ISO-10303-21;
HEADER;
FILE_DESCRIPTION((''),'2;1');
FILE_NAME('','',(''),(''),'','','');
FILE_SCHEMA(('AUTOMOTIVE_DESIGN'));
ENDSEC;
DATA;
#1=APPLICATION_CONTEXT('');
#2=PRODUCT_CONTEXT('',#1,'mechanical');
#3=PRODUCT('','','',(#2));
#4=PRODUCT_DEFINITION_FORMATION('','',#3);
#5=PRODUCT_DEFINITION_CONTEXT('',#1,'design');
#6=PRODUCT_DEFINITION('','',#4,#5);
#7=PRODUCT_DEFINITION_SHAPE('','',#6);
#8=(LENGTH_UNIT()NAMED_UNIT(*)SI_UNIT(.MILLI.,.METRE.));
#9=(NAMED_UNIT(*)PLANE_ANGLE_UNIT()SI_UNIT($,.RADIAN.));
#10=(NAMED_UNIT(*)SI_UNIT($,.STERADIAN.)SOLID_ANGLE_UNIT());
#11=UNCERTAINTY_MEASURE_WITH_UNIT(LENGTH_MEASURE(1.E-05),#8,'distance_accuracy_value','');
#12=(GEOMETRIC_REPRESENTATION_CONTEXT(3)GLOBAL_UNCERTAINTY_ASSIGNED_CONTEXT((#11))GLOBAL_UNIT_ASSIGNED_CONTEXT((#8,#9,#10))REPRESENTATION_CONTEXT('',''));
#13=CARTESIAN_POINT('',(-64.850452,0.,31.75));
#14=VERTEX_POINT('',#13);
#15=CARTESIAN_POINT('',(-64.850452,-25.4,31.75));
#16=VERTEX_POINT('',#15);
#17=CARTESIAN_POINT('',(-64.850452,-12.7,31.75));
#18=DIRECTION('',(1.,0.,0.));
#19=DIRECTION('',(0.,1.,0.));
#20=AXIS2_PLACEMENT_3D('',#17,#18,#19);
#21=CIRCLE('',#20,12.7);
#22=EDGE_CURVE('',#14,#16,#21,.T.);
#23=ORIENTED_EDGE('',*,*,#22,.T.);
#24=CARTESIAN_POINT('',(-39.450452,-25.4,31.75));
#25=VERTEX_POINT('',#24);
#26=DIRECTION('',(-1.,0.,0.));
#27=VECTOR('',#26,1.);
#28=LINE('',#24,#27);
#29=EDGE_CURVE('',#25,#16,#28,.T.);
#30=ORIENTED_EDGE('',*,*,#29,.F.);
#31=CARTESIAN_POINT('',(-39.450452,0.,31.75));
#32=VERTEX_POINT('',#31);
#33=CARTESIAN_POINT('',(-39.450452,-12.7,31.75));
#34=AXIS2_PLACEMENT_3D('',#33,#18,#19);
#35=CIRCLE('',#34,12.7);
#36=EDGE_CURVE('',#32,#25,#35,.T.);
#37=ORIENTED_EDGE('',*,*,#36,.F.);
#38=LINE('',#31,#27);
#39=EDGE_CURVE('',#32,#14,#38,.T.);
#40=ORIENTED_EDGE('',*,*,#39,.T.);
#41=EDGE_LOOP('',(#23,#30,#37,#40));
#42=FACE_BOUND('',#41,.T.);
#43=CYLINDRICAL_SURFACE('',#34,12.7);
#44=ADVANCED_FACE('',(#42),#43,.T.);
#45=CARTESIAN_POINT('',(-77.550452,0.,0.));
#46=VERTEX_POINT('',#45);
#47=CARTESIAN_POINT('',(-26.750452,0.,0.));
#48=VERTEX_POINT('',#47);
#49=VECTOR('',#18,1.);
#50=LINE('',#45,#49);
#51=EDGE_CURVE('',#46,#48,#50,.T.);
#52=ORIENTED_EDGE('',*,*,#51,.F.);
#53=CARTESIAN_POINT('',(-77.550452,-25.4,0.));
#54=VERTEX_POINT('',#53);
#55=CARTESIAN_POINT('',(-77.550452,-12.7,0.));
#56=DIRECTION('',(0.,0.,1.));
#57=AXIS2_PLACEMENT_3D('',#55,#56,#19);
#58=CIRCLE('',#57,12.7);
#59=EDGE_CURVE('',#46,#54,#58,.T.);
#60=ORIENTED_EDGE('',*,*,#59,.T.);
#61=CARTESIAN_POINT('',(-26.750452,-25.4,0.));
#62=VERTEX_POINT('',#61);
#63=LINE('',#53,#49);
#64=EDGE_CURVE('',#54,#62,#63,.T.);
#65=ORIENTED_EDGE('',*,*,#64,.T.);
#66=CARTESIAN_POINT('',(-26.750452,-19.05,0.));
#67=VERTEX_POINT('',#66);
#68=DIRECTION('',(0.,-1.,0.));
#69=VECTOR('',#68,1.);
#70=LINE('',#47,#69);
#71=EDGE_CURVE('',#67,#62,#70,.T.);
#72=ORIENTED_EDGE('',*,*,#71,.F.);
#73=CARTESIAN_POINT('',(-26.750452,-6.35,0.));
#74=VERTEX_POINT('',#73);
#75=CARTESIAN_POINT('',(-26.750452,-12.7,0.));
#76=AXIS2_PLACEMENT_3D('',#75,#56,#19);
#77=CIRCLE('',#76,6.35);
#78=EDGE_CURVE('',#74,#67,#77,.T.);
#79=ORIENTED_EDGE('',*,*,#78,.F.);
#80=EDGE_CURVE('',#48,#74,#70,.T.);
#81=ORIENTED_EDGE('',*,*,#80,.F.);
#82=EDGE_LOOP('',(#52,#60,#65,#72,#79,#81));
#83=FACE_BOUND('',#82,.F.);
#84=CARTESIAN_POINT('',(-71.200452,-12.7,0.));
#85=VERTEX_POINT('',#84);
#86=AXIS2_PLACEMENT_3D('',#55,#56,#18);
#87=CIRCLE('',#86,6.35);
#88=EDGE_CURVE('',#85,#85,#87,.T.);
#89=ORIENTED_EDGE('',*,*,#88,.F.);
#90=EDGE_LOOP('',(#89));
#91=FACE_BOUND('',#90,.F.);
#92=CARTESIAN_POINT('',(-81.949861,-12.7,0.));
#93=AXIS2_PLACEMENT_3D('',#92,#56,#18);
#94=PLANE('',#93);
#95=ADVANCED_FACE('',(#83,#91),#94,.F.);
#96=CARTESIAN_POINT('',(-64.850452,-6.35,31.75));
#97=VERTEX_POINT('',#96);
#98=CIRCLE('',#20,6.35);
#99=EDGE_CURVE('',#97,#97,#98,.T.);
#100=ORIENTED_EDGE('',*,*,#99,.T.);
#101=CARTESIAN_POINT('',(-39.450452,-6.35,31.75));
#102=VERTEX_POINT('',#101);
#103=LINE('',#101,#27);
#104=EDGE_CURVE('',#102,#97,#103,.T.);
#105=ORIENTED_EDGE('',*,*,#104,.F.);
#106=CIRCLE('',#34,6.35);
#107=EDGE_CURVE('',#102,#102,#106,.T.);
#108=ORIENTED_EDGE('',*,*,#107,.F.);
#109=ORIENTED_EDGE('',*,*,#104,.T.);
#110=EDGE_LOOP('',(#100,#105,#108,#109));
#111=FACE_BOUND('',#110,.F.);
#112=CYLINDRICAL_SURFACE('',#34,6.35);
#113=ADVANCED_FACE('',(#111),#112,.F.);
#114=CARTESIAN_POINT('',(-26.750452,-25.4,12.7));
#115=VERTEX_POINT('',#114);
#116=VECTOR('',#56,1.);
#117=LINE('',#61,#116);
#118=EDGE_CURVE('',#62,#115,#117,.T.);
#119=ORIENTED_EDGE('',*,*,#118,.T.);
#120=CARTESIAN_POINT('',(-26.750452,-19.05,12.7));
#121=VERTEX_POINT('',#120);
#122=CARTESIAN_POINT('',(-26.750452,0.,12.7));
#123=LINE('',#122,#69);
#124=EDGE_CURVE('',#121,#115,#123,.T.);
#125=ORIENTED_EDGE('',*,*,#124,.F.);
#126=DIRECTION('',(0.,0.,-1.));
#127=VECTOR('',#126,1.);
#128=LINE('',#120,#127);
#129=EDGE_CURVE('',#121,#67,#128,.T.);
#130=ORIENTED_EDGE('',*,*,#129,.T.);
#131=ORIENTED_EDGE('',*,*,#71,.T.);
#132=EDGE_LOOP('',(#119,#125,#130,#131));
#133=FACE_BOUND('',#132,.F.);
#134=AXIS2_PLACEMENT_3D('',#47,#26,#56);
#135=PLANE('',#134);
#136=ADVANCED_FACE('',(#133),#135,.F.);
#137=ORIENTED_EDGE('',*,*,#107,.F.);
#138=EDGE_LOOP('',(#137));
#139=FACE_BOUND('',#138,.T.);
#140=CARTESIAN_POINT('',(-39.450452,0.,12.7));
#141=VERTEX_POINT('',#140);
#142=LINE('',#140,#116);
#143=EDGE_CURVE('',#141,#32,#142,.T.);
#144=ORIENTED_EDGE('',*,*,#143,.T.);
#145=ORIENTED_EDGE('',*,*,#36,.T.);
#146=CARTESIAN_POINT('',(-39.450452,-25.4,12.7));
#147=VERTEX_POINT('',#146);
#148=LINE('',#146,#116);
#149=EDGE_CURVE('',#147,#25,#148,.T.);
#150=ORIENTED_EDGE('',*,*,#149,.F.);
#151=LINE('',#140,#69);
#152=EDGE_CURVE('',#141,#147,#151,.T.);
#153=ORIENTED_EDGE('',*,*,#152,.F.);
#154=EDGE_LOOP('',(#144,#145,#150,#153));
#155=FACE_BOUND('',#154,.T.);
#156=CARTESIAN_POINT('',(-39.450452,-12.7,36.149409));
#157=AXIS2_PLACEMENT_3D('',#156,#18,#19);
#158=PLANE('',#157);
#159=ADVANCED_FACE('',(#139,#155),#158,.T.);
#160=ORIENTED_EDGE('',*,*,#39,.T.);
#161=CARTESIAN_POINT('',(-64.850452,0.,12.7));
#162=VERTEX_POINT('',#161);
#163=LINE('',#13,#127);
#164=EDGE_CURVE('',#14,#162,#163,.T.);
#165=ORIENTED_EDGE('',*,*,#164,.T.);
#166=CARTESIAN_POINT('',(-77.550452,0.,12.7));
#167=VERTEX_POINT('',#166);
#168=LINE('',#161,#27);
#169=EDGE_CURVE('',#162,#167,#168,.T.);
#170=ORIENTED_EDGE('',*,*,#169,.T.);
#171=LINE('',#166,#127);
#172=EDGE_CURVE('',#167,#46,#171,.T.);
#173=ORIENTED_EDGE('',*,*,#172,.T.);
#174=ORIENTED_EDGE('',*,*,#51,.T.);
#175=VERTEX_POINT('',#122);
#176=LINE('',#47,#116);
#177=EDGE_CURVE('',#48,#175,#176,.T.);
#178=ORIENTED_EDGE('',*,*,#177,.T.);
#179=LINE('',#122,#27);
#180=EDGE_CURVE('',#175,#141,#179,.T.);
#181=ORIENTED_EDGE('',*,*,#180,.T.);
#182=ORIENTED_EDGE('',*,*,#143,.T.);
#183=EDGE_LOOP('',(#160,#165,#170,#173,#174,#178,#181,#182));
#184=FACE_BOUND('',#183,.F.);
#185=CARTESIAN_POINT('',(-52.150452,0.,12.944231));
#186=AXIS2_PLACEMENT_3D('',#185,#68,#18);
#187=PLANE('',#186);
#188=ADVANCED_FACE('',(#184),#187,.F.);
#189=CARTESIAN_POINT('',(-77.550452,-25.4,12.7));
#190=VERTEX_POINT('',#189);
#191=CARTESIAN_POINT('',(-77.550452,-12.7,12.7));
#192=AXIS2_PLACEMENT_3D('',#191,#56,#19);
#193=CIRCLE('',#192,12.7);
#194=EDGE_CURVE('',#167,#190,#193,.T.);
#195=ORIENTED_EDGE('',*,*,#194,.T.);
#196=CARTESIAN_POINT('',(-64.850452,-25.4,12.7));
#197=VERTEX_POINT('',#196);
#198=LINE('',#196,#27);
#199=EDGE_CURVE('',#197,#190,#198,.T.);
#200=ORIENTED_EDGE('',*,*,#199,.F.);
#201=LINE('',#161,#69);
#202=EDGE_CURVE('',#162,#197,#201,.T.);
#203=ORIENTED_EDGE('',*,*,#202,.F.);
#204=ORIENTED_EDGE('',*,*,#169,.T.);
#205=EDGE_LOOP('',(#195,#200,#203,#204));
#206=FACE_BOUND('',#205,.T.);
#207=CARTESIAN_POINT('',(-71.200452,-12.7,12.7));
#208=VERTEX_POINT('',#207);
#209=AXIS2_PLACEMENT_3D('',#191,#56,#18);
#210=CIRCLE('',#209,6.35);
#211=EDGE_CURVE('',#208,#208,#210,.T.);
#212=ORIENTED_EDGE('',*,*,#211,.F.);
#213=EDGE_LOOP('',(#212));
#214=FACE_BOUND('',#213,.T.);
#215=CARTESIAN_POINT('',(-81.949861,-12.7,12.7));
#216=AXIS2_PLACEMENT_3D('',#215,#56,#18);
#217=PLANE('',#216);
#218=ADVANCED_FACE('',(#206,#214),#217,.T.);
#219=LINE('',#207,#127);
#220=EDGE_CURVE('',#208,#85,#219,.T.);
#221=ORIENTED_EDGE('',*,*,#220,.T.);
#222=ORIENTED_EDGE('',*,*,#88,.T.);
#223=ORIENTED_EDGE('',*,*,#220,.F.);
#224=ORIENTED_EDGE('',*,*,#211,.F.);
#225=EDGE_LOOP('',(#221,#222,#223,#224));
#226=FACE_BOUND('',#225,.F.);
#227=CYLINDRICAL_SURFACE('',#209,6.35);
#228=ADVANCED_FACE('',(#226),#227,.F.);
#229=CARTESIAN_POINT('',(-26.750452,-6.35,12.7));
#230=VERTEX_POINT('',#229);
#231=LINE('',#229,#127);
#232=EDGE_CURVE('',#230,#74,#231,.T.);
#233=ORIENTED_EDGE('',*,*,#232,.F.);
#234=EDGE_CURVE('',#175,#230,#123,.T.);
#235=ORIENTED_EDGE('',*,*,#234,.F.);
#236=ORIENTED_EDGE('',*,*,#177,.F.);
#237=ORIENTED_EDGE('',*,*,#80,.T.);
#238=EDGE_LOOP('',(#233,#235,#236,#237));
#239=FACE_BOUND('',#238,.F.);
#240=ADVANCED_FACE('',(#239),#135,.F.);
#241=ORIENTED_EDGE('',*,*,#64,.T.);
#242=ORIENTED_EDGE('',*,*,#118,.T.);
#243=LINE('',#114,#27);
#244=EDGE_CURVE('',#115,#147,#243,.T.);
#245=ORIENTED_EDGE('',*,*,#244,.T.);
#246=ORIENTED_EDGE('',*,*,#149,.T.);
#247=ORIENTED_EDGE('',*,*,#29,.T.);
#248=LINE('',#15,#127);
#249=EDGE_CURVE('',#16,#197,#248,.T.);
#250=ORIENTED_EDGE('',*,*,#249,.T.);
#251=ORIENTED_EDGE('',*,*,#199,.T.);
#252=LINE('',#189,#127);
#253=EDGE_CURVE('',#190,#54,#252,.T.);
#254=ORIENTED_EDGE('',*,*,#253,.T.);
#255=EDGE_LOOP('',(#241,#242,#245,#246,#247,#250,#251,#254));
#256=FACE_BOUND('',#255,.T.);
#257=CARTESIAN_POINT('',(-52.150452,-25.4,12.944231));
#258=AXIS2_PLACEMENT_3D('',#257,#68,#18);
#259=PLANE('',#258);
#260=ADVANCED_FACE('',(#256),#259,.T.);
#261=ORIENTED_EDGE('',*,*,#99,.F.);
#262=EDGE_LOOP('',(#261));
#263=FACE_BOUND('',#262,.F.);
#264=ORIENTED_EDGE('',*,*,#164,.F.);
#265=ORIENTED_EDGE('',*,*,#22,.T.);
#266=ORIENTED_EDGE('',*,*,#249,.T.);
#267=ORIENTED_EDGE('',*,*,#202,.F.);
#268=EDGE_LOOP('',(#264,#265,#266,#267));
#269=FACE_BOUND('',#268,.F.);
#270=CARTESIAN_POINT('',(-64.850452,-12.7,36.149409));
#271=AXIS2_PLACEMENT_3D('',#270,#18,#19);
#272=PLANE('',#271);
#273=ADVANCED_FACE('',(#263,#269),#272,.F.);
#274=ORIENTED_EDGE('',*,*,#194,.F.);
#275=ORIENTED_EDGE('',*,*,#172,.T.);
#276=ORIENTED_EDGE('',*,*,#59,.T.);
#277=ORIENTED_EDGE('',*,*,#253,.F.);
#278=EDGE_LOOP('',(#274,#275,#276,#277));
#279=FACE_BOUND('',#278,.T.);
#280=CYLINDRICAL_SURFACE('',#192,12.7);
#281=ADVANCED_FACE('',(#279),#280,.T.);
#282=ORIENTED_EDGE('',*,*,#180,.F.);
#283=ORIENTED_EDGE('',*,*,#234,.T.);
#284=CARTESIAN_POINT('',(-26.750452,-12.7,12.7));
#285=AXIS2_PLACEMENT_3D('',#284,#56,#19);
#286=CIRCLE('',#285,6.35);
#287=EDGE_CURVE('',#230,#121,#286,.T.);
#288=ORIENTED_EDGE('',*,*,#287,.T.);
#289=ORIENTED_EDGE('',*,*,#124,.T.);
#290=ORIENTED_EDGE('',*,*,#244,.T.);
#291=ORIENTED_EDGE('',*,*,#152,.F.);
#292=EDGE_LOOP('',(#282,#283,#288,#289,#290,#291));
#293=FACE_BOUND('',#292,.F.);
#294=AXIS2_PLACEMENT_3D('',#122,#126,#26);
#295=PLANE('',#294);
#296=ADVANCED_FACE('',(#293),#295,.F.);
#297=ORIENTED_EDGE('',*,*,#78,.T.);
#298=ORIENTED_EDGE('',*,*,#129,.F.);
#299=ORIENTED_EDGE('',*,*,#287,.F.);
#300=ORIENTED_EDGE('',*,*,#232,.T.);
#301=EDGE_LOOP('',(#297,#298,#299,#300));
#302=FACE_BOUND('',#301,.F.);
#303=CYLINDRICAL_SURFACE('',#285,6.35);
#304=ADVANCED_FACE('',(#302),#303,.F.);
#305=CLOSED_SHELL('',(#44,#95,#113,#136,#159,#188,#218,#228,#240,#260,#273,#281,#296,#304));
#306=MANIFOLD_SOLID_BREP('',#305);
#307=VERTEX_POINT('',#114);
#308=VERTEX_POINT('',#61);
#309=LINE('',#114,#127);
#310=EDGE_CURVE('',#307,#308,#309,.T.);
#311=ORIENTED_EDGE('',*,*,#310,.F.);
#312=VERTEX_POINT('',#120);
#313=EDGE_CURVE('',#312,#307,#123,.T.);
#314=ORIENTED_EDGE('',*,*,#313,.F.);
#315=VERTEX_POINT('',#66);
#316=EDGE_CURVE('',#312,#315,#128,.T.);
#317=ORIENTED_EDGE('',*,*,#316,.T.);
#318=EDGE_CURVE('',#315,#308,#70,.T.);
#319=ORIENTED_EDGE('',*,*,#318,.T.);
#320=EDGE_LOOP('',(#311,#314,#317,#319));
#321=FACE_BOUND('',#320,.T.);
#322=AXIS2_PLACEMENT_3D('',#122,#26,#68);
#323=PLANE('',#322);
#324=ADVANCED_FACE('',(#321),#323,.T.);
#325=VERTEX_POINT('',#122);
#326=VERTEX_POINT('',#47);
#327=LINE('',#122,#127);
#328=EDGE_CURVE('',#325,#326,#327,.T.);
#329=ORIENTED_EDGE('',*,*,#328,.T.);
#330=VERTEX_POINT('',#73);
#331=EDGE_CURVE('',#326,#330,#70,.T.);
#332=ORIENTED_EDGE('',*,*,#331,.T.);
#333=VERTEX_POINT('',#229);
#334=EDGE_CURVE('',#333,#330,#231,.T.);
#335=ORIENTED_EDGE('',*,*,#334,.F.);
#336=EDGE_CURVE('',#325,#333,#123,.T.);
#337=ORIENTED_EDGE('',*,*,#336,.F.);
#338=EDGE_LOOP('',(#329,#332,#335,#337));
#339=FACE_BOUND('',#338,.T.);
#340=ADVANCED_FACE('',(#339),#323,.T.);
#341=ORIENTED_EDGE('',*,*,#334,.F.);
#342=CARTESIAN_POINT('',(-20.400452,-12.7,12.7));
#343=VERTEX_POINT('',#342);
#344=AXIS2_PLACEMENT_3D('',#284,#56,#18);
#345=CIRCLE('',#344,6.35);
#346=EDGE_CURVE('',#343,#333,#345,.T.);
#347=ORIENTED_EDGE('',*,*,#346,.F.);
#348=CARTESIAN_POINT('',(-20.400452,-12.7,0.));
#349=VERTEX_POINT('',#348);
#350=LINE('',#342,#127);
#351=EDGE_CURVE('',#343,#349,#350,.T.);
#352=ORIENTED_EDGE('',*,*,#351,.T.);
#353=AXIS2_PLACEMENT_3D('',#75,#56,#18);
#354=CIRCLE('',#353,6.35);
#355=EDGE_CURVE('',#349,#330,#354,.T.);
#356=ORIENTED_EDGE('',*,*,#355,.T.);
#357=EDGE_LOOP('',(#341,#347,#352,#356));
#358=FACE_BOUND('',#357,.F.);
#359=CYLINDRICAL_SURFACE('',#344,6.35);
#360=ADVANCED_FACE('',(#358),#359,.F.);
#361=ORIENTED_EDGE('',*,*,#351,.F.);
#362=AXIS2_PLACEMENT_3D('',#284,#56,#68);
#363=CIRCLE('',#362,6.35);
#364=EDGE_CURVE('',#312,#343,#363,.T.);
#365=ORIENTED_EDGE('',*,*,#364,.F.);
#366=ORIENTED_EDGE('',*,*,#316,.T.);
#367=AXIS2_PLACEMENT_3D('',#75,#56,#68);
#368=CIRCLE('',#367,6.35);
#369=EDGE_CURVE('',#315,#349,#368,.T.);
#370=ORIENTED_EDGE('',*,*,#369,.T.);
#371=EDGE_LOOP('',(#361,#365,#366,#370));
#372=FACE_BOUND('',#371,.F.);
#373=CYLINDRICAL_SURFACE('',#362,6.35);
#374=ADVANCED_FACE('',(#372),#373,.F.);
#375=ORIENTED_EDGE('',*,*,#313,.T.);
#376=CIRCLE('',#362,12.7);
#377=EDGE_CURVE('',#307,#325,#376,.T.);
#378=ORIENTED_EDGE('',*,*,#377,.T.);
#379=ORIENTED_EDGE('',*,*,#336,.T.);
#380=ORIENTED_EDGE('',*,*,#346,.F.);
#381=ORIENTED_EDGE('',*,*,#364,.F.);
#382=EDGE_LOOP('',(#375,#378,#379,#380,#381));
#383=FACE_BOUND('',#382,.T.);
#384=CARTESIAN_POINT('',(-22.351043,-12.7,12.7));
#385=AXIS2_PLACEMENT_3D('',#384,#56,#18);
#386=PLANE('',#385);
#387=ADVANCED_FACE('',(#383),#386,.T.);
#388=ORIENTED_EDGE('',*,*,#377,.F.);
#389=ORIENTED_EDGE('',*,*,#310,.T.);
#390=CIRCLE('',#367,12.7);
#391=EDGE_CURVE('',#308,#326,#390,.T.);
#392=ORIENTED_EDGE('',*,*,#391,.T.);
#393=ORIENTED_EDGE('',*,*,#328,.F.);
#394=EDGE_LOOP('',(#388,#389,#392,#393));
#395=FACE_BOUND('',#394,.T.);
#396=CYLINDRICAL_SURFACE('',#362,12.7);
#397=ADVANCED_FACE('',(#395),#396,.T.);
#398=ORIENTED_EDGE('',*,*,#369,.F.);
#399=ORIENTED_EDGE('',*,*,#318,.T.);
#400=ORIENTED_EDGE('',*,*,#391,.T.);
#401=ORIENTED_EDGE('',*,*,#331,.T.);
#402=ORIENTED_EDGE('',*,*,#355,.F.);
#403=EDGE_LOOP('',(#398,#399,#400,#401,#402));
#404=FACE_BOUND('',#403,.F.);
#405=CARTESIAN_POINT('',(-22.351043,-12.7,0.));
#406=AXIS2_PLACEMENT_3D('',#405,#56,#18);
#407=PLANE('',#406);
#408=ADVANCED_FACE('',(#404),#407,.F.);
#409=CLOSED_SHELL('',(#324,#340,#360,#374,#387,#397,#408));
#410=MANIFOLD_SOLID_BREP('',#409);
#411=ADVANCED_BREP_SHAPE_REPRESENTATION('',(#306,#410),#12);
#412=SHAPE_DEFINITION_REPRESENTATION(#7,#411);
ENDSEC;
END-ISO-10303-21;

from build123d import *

# Parameters (mm, degrees)
F1_DEPTH  = 25.4
F3_DEPTH  = 12.7
F5_DEPTH  = 12.7
F7_DEPTH  = 25.4
F8_R      = 6.35
F9_DEPTH  = 25.4
F11_DEPTH = 25.4
F12_DEPTH = 25.4
F13_R     = 6.35
F14_DEPTH = 25.4


with BuildPart() as f1:
    # F0 (on Front) → F1 (new body)
    with BuildSketch(Plane.XZ):
        Polygon((-77.5504523965, 12.7), (-77.5504523965, 0), (-26.7504523965, 0), (-26.7504523965, 12.7), (-39.4504523965, 12.7), (-39.4504523965, 31.75), (-64.8504523965, 31.75), (-64.8504523965, 12.7), align=None)
    extrude(amount=F1_DEPTH)

    # F4 (on face) → F5 (join)
    with BuildSketch(Plane.XY.offset(12.7)):
        with BuildLine():
            Line((-77.5504523965, -25.4), (-77.5504523965, 0))
            ThreePointArc((-77.5504523965, 0), (-90.2504523965, -12.7), (-77.5504523965, -25.4))
        make_face()
    extrude(amount=-F5_DEPTH)

    # F6 (on face) → F7 (join)
    with BuildSketch(Plane.YZ.offset(-39.4504523965)):
        with BuildLine():
            Line((-25.4, 31.75), (0, 31.75))
            ThreePointArc((0, 31.75), (-12.7, 44.45), (-25.4, 31.75))
        make_face()
    extrude(amount=-F7_DEPTH)

    # F8 (on face) → F9 (cut)
    with BuildSketch(Plane.XY.offset(12.7)):
        with Locations((-77.5504523965, -12.7)):
            Circle(F8_R)
    extrude(amount=-F9_DEPTH, mode=Mode.SUBTRACT)


with BuildPart() as f3:
    # F2 (on face) → F3 (new body)
    with BuildSketch(Plane.XY.offset(12.7)):
        with BuildLine():
            Line((-26.7504523965, 0), (-26.7504523965, -25.4))
            ThreePointArc((-26.7504523965, -25.4), (-14.0504523965, -12.7), (-26.7504523965, 0))
        make_face()
    extrude(amount=-F3_DEPTH)


with BuildPart() as f11_tool:
    # F10 (on face) → F11 (new body)
    with BuildSketch(Plane.XY.offset(12.7)):
        with BuildLine():
            Line((-26.7504523965, -19.05), (-26.7504523965, -6.35))
            ThreePointArc((-26.7504523965, -6.35), (-33.1004523965, -12.7), (-26.7504523965, -19.05))
        make_face()
        with BuildLine():
            ThreePointArc((-26.7504523965, -19.05), (-22.2603243359, -17.1901280605), (-20.4004523965, -12.7))
            ThreePointArc((-20.4004523965, -12.7), (-22.2603243359, -8.2098719395), (-26.7504523965, -6.35))
            Line((-26.7504523965, -6.35), (-26.7504523965, -19.05))
        make_face()
    extrude(amount=-F11_DEPTH)


with BuildPart() as f1_1:
    add(f1.part)

    # F11: cut by f11_tool
    add(f11_tool.part, mode=Mode.SUBTRACT)

    # F10 (on face) → F12 (cut)
    with BuildSketch(Plane.XY.offset(12.7)):
        with BuildLine():
            ThreePointArc((-26.7504523965, -19.05), (-22.2603243359, -17.1901280605), (-20.4004523965, -12.7))
            ThreePointArc((-20.4004523965, -12.7), (-22.2603243359, -8.2098719395), (-26.7504523965, -6.35))
            Line((-26.7504523965, -6.35), (-26.7504523965, -19.05))
        make_face()
    extrude(amount=-F12_DEPTH, mode=Mode.SUBTRACT)

    # F13 (on face) → F14 (cut)
    with BuildSketch(Plane.YZ.offset(-39.4504523965)):
        with Locations((-12.7, 31.75)):
            Circle(F13_R)
    extrude(amount=-F14_DEPTH, mode=Mode.SUBTRACT)


with BuildPart() as f3_1:
    add(f3.part)

    # F11: cut by f11_tool
    add(f11_tool.part, mode=Mode.SUBTRACT)


solid = Compound([f1_1.part, f3_1.part])
